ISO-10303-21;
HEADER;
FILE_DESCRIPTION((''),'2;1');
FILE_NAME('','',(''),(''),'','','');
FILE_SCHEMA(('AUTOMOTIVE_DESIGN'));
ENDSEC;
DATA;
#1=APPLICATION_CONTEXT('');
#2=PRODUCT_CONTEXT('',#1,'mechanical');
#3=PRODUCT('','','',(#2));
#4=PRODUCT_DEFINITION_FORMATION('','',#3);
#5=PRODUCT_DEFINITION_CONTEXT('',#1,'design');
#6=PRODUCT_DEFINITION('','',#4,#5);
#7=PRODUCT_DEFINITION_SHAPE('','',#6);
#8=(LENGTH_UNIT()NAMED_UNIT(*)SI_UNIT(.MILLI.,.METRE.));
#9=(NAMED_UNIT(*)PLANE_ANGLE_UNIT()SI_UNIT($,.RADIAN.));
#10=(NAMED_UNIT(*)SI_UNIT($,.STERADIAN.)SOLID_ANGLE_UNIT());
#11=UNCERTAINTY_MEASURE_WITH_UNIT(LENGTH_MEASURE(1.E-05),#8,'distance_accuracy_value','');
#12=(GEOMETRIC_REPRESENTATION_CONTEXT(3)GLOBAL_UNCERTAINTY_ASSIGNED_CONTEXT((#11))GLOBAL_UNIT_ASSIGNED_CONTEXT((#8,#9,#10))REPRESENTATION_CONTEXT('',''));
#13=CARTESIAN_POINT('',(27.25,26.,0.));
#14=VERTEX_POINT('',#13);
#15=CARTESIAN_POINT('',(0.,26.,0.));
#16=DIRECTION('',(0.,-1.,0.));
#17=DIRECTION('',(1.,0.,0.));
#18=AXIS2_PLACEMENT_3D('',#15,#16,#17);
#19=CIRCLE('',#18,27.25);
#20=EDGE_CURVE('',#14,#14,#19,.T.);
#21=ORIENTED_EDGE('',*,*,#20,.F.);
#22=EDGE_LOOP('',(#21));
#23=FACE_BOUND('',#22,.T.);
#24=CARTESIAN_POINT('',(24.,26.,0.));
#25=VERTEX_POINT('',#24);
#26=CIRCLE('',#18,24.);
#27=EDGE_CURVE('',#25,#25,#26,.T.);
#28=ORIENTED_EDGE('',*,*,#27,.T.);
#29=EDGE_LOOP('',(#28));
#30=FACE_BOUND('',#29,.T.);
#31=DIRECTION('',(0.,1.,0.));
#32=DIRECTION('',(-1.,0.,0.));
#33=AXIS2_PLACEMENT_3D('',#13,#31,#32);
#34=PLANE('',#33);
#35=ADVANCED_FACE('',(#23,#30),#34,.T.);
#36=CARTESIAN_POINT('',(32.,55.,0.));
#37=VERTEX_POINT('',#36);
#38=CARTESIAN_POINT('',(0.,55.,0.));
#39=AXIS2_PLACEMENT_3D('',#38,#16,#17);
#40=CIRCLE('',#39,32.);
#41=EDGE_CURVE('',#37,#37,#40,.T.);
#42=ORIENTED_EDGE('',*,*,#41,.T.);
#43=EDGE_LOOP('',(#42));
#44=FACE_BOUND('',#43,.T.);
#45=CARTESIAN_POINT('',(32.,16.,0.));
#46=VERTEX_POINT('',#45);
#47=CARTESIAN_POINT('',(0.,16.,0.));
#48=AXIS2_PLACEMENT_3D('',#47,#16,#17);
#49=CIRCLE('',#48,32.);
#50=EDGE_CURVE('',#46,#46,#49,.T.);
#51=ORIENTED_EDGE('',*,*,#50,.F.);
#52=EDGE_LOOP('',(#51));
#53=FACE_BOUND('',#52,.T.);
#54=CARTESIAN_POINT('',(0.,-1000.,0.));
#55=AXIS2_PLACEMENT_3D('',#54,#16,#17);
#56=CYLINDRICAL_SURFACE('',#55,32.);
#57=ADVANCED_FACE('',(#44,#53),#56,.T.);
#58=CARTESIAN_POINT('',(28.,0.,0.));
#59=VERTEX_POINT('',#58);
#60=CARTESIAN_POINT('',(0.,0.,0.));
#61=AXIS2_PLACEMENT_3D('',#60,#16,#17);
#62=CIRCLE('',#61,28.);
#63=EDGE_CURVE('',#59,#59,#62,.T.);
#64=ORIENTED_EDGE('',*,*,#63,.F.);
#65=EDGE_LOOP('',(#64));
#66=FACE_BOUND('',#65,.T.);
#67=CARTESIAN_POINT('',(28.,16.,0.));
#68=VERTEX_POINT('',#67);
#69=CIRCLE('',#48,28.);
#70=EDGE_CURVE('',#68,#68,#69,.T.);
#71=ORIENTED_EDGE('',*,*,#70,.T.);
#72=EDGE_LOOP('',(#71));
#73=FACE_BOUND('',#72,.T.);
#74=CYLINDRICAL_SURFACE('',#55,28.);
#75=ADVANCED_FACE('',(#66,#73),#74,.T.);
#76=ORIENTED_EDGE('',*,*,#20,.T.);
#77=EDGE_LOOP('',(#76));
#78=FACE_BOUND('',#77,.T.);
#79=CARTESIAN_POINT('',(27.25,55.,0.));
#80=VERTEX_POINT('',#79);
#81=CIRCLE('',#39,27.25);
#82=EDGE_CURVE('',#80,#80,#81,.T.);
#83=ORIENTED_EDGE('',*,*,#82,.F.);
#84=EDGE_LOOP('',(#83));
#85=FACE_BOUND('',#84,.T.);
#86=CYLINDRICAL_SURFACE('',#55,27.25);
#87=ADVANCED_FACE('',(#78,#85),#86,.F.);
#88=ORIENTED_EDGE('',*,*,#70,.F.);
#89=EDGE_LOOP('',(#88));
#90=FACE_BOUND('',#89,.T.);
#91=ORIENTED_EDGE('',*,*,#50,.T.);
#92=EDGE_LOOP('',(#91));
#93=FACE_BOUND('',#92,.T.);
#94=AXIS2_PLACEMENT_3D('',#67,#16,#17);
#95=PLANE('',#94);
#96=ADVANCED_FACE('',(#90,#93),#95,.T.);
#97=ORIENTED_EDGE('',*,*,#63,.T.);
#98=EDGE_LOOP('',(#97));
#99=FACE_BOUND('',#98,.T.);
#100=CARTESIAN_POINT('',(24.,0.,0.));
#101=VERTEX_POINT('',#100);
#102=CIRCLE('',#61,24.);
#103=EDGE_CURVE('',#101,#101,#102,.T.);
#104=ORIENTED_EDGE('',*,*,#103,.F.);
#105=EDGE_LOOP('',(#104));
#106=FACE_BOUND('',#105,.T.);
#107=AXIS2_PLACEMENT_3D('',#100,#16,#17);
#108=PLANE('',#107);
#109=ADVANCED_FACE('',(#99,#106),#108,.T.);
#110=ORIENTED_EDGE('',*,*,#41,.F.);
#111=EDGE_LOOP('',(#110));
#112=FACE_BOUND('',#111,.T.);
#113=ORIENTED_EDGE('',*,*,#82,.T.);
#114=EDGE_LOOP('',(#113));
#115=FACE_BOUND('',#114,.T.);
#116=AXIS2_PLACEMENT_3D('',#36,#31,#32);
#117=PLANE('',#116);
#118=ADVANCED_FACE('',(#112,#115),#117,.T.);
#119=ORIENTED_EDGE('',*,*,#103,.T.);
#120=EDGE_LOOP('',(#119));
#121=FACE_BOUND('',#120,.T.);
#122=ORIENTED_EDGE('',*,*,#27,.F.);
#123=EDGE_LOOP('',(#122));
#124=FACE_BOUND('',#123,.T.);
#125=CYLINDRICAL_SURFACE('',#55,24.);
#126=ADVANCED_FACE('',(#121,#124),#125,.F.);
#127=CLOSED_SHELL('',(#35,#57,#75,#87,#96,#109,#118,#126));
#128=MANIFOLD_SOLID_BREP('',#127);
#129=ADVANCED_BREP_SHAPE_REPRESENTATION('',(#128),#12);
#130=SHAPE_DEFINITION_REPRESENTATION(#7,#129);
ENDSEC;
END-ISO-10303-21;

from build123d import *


with BuildPart() as part:
    # 草图1 → 旋转1 (revolve)
    with BuildSketch(Plane.XY):
        Polygon((24, 0), (28, 0), (28, 16), (32, 16), (32, 55), (27.25, 55), (27.25, 26), (24, 26), align=None)
    revolve(axis=Axis((0, -1000, 0), (0, 1, 0)))


solid = part.part
